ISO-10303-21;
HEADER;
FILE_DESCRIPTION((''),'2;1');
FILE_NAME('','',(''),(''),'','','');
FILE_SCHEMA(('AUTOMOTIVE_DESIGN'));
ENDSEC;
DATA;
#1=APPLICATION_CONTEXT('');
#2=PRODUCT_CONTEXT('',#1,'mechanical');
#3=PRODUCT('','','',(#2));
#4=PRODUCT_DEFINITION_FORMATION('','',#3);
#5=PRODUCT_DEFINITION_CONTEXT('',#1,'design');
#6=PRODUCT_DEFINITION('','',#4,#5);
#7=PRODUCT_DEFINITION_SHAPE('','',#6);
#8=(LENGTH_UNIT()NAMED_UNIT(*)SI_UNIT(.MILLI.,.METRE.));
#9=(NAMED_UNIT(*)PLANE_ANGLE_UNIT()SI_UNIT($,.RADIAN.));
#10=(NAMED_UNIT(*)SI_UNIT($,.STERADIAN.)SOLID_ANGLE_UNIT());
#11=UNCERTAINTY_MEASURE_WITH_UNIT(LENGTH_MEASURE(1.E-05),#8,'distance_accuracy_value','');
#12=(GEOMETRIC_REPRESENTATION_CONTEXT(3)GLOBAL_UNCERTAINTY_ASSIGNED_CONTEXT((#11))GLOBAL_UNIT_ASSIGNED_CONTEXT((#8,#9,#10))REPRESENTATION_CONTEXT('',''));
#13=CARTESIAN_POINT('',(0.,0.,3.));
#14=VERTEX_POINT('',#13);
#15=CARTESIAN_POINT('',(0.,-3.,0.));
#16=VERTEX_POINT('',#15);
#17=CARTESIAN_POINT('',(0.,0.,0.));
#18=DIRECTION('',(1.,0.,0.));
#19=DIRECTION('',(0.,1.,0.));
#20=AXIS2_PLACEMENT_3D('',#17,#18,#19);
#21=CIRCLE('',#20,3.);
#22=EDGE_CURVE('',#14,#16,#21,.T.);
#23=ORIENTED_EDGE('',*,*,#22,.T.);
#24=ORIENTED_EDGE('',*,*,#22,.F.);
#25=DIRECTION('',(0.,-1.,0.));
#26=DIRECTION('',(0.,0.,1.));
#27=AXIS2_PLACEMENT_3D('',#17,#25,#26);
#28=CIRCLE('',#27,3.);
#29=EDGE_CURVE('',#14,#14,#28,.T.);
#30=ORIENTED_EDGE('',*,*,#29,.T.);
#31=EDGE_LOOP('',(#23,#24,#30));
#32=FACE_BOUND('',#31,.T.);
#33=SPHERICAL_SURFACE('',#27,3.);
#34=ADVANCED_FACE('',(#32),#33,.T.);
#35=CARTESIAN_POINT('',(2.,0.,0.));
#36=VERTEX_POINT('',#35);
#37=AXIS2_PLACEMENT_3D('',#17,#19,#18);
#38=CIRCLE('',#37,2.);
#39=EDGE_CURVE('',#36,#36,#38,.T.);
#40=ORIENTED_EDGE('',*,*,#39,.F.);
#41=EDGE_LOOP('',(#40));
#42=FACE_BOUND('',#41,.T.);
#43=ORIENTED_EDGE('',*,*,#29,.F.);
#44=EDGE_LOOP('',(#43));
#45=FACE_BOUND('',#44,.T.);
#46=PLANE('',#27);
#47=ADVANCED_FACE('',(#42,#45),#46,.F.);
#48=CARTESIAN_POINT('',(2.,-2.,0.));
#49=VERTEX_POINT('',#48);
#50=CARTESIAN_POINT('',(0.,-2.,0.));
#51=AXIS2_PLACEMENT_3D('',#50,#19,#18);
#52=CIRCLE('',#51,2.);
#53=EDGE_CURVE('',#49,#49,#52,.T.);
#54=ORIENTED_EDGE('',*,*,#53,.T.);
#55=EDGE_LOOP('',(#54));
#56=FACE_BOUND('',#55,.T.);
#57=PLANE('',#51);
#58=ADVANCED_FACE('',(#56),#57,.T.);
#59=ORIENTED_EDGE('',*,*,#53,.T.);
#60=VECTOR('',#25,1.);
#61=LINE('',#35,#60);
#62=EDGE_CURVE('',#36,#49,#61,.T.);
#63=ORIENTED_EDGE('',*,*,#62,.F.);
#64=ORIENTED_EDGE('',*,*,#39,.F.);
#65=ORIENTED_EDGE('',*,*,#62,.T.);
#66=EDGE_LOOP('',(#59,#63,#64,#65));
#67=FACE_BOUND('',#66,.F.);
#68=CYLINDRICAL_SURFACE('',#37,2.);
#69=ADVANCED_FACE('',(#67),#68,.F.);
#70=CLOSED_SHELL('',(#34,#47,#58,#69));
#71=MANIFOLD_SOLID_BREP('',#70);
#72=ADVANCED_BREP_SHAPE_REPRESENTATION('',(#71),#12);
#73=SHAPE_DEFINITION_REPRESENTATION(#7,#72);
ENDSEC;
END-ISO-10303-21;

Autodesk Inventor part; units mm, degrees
ref_plane "YZ Plane" through (0, 0, 0) normal (1, 0, 0) x (0, 1, 0)
ref_plane "XZ Plane" through (0, 0, 0) normal (0, 1, 0) x (-1, 0, 0)
ref_plane "XY Plane" through (0, 0, 0) normal (0, 0, 1) x (1, 0, 0)
sketch "Sketch1" plane through (0, 0, 0) normal (1, 0, 0) x (0, 1, 0)
  line L0 (0, 0) -> (0, -3)
  line L1 (0, 0) -> (-3, 0)
  line L2 (0, 0) -> (0, 5)
  circle A0 centre (0, 0) radius 3
  point P0 (0, 3)
  dimension "d0" = 3
  dimension "d1" = 3
  dimension "d2" = 5
revolve "Revolution1" add sketch "Sketch1" angle 360 about axis through (0, 0, 0) along (0, -1, 0) contours L1 A0 L2
sketch "Sketch2" plane through (0, 0, 0) normal (0, 1, 0) x (1, 0, 0)
  circle A0 centre (0, 0) radius 2
  dimension "d4" = 4
extrude "Extrusion1" cut sketch "Sketch2" against normal blind 2
thread "Thread1" size "M4x0.7" class "6H" standard "ANSI Metric M Profile" length 70
properties part number "transversal_stab_tip" material "Polytetrafluoroethylene"
